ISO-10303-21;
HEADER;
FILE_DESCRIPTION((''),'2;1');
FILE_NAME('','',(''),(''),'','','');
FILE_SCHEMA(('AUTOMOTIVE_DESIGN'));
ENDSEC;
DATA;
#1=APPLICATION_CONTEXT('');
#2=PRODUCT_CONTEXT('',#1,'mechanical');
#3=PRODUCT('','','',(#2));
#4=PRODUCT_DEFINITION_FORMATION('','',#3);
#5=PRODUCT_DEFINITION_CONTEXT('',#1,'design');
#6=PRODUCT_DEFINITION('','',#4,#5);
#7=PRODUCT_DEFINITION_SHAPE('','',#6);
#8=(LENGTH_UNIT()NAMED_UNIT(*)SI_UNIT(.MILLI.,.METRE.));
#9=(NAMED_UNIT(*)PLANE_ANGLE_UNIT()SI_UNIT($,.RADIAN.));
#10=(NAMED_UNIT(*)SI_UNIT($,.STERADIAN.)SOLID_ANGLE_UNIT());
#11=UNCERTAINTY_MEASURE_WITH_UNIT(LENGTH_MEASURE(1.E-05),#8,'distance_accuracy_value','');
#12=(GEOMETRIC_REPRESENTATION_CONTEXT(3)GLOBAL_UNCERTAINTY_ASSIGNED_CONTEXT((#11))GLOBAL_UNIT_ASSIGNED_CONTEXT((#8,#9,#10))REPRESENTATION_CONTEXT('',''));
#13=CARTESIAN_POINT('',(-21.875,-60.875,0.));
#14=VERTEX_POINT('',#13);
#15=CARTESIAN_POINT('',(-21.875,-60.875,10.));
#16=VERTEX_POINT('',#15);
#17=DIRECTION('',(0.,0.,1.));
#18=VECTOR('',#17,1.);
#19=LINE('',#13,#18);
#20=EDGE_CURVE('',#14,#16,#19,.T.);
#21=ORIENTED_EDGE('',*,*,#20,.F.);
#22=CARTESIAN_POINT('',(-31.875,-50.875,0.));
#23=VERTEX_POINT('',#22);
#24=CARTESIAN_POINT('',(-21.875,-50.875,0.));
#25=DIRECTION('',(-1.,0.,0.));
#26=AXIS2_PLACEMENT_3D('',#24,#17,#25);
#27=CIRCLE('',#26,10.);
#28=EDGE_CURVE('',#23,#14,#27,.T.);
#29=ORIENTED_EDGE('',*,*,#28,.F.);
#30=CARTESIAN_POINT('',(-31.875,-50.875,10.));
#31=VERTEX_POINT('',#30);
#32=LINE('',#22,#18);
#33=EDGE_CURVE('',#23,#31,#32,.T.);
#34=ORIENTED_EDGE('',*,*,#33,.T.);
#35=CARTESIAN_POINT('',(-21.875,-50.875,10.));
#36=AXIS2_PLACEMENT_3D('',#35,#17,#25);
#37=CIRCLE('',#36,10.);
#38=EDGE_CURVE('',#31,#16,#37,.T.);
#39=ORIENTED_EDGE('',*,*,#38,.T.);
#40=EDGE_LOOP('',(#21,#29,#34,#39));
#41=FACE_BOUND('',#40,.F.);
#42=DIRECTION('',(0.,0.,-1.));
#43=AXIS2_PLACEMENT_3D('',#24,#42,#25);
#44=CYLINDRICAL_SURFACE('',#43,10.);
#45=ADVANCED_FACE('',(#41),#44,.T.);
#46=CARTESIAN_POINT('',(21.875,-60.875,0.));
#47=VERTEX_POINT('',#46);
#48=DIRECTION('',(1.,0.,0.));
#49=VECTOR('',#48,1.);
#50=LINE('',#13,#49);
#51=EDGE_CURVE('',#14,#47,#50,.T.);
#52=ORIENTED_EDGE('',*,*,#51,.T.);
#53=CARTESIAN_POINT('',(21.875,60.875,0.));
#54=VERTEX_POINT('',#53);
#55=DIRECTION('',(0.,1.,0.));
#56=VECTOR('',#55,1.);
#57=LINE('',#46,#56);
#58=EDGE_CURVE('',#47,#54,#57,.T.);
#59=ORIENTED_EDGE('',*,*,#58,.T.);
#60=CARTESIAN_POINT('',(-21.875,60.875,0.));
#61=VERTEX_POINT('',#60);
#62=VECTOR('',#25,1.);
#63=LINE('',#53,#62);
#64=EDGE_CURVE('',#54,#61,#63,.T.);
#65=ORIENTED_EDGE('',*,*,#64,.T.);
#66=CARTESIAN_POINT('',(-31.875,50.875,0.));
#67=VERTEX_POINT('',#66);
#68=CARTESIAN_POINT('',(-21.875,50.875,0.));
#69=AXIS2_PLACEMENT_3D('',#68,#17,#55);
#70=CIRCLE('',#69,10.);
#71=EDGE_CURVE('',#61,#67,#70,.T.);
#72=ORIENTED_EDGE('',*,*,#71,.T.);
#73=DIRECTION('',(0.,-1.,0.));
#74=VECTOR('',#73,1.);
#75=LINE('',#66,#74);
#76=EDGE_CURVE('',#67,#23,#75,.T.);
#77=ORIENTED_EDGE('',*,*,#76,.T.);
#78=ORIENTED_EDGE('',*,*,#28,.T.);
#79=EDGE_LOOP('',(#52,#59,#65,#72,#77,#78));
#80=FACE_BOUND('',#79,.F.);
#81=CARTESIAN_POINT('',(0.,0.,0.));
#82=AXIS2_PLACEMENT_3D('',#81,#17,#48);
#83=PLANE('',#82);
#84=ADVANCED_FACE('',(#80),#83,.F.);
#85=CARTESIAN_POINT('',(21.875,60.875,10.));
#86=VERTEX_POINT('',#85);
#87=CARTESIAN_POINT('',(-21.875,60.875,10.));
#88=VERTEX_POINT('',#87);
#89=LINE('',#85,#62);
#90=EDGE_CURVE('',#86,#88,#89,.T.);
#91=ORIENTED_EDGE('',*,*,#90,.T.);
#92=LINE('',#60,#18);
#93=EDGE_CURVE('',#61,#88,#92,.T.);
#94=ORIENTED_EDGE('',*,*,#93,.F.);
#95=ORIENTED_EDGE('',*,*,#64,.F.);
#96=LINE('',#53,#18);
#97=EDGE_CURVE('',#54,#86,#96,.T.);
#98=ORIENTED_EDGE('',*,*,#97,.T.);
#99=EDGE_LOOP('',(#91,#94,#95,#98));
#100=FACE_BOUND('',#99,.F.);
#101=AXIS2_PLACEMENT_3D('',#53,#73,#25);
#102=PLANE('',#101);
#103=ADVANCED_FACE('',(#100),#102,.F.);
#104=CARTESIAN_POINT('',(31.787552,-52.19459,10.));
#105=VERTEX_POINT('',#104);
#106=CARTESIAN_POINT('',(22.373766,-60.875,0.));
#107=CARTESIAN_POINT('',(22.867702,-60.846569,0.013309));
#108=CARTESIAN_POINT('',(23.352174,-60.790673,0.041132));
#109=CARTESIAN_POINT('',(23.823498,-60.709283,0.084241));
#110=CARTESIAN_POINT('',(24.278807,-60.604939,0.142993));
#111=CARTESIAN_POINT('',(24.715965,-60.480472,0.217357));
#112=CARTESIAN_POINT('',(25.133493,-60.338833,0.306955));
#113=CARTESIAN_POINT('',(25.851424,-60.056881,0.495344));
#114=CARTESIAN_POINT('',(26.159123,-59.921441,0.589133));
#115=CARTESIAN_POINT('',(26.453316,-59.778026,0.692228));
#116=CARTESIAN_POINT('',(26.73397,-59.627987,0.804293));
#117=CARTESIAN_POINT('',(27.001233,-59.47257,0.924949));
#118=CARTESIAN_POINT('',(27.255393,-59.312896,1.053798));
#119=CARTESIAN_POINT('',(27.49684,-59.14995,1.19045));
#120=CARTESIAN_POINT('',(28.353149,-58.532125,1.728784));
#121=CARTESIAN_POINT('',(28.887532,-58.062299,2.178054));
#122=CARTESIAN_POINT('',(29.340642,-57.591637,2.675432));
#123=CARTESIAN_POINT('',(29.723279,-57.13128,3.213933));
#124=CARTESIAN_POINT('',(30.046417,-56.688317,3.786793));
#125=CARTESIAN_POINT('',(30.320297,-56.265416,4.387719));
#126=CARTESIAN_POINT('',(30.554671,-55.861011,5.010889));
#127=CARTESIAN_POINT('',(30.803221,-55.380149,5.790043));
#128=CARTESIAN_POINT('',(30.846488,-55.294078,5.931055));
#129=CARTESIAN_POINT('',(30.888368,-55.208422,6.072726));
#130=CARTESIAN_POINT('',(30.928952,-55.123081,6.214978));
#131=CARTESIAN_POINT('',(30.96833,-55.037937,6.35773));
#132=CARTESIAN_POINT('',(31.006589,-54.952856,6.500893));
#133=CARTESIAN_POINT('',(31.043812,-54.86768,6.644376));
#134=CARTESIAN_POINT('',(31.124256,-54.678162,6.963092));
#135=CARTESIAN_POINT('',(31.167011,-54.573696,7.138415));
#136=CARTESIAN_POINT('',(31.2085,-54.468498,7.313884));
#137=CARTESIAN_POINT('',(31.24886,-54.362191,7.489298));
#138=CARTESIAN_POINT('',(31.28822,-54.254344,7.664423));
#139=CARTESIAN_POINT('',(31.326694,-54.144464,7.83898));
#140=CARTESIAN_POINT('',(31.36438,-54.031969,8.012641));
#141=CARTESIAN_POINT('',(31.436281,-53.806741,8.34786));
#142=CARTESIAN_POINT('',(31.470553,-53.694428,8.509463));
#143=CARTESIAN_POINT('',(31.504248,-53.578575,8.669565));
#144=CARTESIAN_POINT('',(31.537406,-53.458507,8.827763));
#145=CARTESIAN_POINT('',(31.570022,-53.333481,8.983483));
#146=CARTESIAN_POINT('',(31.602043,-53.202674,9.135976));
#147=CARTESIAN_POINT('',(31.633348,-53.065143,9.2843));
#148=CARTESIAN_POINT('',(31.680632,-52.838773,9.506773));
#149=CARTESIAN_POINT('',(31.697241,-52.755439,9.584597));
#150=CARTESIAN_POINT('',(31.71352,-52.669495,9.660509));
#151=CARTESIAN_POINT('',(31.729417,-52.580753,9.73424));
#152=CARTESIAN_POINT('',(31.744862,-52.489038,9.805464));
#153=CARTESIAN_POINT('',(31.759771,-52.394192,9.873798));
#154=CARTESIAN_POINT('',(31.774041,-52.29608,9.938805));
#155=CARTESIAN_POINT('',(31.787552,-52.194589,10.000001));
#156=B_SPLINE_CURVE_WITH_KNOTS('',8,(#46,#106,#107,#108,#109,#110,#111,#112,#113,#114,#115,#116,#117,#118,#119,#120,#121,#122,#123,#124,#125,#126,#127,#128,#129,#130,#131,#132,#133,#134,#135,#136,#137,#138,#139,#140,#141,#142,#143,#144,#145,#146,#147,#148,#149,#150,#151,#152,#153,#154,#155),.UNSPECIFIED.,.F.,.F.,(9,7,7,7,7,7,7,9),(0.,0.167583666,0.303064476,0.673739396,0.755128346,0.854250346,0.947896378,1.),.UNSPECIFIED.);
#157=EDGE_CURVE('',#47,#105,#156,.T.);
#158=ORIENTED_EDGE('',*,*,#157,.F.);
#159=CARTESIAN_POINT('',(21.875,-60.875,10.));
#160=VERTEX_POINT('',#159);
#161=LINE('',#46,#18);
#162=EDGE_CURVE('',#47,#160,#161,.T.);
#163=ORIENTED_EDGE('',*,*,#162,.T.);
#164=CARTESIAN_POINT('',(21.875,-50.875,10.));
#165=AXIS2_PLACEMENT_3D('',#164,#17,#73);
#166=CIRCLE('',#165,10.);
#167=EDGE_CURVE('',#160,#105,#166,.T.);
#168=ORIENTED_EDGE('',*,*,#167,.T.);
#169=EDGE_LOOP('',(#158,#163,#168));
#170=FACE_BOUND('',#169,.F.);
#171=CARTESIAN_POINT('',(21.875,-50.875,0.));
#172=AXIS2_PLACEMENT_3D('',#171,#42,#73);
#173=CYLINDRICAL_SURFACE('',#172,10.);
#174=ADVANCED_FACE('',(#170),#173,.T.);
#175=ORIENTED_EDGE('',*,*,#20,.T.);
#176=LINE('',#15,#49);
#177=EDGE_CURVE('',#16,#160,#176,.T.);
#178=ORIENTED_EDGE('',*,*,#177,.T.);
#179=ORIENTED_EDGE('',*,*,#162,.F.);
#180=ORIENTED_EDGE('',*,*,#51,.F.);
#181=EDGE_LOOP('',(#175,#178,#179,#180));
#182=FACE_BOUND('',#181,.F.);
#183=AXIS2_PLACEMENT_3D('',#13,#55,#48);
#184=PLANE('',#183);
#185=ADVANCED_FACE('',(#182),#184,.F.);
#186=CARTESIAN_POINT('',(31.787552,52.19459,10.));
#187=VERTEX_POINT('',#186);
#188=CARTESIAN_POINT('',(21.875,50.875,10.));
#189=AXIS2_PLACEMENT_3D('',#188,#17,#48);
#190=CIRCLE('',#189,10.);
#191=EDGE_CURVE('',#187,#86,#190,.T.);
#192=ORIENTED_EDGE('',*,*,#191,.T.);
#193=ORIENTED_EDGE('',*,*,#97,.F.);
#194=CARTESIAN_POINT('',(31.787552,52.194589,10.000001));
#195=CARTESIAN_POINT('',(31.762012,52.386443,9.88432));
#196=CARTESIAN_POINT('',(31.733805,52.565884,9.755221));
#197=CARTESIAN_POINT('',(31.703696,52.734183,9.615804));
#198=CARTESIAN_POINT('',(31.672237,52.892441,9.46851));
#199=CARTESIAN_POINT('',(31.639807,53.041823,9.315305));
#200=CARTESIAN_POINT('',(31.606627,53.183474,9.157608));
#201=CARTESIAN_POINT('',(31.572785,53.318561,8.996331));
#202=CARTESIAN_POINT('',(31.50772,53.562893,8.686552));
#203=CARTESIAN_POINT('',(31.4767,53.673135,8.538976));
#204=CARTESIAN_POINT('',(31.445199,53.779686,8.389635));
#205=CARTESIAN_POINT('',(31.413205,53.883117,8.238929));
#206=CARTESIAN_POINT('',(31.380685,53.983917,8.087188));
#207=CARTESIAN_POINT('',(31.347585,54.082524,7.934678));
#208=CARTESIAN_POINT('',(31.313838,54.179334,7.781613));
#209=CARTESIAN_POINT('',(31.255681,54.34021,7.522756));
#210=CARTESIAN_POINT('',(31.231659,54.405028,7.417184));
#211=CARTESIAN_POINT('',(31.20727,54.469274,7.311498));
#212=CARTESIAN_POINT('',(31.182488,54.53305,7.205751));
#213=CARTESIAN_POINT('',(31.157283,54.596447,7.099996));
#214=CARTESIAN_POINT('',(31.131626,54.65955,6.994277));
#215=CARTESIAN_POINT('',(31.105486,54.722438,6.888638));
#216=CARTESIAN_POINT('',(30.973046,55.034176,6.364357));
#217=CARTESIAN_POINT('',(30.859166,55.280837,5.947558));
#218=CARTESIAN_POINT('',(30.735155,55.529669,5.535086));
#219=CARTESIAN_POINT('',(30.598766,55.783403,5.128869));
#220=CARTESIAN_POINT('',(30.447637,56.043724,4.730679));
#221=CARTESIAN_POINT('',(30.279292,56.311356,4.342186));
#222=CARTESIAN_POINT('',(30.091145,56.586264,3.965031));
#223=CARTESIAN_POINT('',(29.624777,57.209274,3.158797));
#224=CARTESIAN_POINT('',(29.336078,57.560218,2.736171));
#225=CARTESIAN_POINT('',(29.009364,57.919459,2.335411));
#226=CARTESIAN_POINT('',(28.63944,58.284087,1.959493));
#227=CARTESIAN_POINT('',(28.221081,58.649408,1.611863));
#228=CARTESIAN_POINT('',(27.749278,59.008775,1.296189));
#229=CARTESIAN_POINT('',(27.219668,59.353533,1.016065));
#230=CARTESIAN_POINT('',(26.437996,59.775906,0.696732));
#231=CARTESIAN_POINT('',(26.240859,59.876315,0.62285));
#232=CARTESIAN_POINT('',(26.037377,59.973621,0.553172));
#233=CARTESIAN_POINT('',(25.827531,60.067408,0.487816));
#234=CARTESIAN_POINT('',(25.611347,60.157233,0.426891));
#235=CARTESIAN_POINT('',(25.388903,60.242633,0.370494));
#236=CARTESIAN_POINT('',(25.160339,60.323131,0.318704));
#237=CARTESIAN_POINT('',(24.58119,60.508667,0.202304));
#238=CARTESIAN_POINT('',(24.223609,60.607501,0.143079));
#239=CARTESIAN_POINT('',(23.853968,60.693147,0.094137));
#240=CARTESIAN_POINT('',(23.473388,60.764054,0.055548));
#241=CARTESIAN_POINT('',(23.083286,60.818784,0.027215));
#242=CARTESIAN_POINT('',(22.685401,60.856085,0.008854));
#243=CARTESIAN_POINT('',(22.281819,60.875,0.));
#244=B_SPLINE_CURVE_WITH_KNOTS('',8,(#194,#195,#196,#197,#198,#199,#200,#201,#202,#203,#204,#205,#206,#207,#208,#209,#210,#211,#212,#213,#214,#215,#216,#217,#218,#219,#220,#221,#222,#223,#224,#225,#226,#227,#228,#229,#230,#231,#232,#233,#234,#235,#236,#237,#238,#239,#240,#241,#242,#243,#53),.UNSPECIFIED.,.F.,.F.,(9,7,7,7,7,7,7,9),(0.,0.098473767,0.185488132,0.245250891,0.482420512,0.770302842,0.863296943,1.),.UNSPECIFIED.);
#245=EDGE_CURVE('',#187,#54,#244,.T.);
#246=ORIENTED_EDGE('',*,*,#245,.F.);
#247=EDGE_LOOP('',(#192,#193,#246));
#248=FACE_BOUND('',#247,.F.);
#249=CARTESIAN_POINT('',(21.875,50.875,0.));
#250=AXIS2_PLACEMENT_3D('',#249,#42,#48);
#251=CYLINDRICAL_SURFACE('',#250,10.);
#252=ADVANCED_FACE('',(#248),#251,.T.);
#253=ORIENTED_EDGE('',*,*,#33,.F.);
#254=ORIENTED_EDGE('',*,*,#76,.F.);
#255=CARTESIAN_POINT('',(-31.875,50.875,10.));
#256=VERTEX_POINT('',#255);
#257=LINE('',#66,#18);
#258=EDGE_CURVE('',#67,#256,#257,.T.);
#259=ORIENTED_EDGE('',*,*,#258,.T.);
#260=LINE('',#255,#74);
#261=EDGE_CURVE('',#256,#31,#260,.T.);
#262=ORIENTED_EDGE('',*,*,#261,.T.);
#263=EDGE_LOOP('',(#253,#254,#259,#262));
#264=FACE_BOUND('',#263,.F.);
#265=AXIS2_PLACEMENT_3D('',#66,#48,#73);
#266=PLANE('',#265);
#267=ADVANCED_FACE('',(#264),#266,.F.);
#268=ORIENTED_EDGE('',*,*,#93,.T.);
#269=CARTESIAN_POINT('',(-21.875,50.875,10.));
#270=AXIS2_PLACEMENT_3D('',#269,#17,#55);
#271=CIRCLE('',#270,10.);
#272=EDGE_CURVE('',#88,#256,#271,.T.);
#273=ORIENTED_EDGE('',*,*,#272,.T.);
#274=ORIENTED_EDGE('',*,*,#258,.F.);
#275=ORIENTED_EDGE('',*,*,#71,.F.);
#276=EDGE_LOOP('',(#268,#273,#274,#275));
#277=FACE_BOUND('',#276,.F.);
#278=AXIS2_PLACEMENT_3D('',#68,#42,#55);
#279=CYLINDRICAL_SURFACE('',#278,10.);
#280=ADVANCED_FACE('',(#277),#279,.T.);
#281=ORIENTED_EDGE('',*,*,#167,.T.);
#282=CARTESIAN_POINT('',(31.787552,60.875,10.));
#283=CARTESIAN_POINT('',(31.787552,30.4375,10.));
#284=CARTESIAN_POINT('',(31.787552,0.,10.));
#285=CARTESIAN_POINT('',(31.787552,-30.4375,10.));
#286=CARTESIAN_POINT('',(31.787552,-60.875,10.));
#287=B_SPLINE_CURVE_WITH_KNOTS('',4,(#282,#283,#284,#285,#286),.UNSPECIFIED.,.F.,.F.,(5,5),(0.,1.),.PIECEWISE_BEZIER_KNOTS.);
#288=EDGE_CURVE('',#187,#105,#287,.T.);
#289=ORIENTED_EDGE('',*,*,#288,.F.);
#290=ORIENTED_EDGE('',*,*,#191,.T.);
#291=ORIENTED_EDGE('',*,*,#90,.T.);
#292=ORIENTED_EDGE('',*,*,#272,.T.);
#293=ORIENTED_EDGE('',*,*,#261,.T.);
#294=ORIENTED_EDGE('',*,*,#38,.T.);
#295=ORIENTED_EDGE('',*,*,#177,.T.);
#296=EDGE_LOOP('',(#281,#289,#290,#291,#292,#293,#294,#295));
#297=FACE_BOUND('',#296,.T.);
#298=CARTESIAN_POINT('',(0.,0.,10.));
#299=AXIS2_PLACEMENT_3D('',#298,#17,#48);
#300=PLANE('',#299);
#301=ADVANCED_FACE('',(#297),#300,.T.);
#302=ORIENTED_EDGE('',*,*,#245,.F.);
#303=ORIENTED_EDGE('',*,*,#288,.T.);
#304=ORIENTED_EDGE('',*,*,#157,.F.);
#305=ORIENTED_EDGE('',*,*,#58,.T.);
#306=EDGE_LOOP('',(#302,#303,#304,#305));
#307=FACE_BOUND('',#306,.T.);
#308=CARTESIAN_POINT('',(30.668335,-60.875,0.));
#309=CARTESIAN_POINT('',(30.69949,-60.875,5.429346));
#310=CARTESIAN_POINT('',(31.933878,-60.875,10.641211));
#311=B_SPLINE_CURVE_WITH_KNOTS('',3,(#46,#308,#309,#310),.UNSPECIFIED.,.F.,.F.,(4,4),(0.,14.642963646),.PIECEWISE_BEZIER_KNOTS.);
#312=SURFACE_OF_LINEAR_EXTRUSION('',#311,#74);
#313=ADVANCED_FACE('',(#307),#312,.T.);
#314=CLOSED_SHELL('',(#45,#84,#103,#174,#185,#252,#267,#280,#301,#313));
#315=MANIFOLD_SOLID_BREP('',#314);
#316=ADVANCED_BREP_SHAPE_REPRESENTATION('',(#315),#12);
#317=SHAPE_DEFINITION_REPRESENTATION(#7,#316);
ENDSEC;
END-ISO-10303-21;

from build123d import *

# Parameters (mm, degrees)
F1_DEPTH = 10
F3_DEPTH = 123.8


with BuildPart() as f1:
    # F0 (on Top) → F1 (new body)
    with BuildSketch(Plane.XY):
        with BuildLine():
            Line((21.875, 60.875), (-21.875, 60.875))
            ThreePointArc((-21.875, 60.875), (-28.9460678119, 57.9460678119), (-31.875, 50.875))
            Line((-31.875, 50.875), (-31.875, -50.875))
            ThreePointArc((-31.875, -50.875), (-28.9460678119, -57.9460678119), (-21.875, -60.875))
            Line((-21.875, -60.875), (21.875, -60.875))
            ThreePointArc((21.875, -60.875), (28.9460678119, -57.9460678119), (31.875, -50.875))
            Line((31.875, -50.875), (31.875, 50.875))
            ThreePointArc((31.875, 50.875), (28.9460678119, 57.9460678119), (21.875, 60.875))
        make_face()
    extrude(amount=F1_DEPTH)

    # F2 (on face) → F3 (cut, symmetric)
    with BuildSketch(Plane.XZ.offset(60.875)):
        with BuildLine():
            add(Edge.make_bspline(
                [(21.875, 0), (30.6683350354, 0), (30.6994896382, 5.4293456487), (31.9338776171, 10.6412107125)],
                knots=[0, 0, 0, 0, 14.6429636462, 14.6429636462, 14.6429636462, 14.6429636462], degree=3))
            Line((21.875, 0), (31.9338776171, 0))
            Line((31.9338776171, 0), (31.9338776171, 10.6412107125))
        make_face()
    extrude(amount=F3_DEPTH, both=True, mode=Mode.SUBTRACT)


solid = f1.part
